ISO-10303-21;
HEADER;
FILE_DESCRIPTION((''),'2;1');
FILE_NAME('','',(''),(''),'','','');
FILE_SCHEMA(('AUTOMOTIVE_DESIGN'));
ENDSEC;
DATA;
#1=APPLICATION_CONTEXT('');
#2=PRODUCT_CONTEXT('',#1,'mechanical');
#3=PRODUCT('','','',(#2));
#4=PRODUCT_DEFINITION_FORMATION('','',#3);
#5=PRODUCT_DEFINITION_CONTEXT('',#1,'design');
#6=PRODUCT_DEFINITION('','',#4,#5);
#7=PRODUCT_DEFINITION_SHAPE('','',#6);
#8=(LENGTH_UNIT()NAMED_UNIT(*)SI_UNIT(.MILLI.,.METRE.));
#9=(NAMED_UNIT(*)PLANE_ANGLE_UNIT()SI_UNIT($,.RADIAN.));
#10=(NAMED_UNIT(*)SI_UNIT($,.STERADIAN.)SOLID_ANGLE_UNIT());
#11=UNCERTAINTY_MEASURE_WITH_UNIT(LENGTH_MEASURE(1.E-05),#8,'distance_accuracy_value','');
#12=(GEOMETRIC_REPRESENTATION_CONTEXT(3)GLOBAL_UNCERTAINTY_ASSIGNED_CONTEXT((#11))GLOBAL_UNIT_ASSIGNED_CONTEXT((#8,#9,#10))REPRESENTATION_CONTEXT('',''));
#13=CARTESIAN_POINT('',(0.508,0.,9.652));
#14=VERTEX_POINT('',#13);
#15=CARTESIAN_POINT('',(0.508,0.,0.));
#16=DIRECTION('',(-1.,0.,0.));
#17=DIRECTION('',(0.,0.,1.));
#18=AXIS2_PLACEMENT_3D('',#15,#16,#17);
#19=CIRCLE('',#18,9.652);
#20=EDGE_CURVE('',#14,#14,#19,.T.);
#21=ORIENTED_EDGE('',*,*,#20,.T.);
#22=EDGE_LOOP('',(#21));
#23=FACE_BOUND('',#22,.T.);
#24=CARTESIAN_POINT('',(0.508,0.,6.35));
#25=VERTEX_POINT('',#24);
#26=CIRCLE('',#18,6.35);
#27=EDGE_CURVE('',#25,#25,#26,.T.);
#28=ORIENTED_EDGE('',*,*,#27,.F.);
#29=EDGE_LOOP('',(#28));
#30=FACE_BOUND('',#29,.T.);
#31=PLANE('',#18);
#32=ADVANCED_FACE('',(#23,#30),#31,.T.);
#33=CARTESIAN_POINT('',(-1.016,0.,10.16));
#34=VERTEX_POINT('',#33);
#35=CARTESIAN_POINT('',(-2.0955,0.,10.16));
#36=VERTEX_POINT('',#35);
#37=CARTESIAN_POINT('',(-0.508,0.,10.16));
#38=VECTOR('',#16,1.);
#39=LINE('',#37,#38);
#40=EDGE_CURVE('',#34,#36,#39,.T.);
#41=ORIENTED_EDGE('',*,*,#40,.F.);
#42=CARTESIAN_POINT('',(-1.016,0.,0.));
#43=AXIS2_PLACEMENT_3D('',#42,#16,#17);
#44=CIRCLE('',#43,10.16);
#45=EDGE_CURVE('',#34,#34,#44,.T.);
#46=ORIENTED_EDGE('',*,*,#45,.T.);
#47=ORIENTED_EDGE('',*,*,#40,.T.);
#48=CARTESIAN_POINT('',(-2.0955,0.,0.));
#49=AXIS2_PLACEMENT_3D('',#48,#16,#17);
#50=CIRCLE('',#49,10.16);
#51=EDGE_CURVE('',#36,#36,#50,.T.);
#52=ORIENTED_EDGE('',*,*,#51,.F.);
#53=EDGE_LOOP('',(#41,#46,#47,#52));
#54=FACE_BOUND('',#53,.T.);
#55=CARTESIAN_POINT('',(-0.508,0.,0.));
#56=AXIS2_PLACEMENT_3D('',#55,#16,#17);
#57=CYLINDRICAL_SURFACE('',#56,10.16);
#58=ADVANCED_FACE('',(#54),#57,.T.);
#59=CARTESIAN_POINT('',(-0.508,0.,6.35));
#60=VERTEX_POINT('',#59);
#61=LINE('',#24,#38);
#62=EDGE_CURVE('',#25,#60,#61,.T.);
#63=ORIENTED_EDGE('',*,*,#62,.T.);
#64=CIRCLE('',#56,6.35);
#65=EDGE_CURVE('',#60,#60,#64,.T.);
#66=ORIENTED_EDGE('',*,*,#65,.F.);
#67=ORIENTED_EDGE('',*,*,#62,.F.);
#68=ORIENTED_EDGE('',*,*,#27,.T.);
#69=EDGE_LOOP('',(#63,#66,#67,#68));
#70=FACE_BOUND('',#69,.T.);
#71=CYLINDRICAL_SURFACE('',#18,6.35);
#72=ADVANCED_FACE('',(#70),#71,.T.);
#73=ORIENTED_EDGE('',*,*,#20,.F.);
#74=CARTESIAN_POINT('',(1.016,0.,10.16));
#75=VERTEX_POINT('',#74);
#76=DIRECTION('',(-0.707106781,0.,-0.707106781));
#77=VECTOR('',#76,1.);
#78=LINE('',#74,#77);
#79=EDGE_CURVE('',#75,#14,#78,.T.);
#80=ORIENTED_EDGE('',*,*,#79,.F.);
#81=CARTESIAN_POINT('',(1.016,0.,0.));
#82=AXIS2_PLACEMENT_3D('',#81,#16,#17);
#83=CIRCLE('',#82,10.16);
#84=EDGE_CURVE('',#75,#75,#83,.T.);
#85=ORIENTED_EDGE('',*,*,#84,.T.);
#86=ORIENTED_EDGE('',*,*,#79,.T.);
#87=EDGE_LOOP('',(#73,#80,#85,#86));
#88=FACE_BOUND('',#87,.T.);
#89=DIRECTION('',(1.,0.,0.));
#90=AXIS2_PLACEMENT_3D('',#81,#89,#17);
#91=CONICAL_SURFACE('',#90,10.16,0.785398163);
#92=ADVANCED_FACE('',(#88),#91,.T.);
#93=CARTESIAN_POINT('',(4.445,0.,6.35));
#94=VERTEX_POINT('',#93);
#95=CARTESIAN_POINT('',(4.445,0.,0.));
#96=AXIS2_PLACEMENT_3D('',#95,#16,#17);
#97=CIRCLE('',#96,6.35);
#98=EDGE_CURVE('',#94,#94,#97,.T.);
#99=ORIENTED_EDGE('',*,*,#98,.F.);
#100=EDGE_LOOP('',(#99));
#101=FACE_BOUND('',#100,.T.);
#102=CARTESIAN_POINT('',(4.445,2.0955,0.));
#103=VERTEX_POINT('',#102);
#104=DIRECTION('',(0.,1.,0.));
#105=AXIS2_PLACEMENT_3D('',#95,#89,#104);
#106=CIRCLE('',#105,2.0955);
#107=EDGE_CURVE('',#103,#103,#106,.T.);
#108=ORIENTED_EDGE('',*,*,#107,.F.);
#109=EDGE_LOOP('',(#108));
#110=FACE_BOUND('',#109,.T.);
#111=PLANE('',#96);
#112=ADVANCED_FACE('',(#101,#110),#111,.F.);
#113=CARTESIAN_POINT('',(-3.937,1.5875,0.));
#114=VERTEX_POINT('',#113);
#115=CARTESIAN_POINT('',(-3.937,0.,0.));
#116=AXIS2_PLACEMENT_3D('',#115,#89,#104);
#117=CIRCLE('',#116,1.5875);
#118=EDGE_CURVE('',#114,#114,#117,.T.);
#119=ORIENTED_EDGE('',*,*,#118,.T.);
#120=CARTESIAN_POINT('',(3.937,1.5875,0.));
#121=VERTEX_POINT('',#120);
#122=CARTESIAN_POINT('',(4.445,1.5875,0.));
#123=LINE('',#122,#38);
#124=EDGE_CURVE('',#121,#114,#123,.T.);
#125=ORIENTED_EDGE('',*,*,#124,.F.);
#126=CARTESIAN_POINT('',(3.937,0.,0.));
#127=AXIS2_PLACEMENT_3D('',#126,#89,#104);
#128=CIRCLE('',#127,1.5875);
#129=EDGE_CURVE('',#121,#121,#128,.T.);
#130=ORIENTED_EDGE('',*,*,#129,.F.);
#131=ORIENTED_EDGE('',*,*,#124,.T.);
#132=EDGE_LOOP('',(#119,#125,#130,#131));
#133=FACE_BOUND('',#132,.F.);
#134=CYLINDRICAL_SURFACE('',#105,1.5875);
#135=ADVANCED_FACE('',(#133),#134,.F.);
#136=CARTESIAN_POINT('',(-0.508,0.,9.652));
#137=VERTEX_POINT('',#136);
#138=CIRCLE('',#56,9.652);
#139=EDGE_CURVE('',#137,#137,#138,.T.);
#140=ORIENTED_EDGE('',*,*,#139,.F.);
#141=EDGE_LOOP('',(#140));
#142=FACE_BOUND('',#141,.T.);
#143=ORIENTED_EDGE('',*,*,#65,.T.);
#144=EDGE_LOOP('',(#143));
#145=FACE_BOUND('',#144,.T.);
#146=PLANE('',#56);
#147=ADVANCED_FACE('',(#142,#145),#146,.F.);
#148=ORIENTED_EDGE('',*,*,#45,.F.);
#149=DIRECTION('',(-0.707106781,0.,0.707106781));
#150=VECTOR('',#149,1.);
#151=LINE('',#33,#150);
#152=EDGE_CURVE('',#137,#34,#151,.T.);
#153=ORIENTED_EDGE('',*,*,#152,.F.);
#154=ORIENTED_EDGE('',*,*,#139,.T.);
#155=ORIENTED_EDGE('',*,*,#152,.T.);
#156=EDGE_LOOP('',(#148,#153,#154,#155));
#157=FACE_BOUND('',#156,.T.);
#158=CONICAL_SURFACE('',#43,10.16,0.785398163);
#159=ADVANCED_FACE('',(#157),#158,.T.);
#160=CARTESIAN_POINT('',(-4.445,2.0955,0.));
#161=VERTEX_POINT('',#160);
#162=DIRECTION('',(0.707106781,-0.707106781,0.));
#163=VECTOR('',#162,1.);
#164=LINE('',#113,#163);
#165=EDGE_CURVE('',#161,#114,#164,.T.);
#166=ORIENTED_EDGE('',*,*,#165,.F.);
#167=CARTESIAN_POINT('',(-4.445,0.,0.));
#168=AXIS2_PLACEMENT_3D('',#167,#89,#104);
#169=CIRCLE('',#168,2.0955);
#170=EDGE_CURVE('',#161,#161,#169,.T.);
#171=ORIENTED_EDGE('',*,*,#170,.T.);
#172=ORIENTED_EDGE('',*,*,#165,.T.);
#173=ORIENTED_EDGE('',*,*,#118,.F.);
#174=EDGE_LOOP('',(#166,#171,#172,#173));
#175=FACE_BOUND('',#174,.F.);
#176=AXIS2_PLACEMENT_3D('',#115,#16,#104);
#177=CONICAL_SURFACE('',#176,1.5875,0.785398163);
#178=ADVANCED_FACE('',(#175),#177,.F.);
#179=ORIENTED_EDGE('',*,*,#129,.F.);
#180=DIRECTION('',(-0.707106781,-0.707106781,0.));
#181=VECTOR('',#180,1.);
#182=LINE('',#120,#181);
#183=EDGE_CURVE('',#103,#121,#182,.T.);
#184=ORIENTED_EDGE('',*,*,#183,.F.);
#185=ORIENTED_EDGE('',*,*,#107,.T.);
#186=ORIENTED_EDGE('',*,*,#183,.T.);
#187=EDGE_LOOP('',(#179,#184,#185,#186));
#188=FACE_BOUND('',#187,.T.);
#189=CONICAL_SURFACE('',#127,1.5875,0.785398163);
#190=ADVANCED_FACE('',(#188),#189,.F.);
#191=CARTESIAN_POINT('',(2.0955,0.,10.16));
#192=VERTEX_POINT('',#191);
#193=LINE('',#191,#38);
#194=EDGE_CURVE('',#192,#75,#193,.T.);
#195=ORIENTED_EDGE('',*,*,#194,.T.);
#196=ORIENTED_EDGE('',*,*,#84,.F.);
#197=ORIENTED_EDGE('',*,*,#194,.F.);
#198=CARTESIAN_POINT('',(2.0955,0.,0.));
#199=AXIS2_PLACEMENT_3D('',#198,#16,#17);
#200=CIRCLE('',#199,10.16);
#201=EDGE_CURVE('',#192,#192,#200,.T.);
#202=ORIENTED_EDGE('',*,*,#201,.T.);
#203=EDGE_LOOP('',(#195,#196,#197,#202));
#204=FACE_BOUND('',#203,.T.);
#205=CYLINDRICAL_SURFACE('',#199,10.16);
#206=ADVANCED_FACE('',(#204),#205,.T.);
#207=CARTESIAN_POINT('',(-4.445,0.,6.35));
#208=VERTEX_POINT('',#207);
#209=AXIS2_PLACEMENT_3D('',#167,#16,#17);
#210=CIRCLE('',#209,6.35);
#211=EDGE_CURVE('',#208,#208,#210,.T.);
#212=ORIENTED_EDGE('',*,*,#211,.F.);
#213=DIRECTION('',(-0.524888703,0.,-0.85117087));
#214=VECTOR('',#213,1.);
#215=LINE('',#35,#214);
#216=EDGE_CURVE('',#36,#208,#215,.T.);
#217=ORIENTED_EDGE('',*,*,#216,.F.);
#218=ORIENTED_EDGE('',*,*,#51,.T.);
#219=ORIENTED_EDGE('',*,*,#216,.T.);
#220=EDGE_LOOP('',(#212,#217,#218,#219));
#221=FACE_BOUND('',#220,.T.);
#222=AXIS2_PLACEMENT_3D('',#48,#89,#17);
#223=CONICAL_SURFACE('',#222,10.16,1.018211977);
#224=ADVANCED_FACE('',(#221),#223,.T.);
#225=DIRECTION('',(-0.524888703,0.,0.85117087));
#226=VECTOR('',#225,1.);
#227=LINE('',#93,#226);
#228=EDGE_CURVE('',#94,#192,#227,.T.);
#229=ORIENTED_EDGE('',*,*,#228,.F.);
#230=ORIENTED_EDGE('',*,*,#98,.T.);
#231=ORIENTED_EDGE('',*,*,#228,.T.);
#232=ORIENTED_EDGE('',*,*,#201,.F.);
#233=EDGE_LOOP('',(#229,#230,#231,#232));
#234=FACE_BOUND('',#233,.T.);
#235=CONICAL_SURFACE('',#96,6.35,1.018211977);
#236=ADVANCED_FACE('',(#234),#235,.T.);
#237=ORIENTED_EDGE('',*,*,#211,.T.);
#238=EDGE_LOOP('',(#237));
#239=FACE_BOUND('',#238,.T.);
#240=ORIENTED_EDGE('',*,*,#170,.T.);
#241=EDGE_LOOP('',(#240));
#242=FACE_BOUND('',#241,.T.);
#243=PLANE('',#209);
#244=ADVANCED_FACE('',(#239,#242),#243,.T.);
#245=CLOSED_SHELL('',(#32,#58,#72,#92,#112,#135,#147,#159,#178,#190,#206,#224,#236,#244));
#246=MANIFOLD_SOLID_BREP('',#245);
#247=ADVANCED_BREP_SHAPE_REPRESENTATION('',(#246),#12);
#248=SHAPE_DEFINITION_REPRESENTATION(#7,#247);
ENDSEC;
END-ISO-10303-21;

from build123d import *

# Parameters (mm, degrees)
F2_R     = 1.5875
F3_DEPTH = 8.891
F4_SIZE  = 0.508
F5_SIZE  = 0.508


with BuildPart() as f1:
    # F0 (on Front) → F1 (revolve)
    with BuildSketch(Plane.XZ):
        Polygon((0.508, 6.35), (0, 6.35), (-0.508, 6.35), (-0.508, 10.16), (-2.0955, 10.16), (-4.445, 6.35), (-4.445, 0), (4.445, 0), (4.445, 6.35), (2.0955, 10.16), (0.508, 10.16), align=None)
    revolve(axis=Axis((0, 0, 0), (-1, 0, 0)))

    # F2 (on face) → F3 (cut, through all)
    with BuildSketch(Plane.YZ.offset(4.445)):
        Circle(F2_R)
    extrude(amount=-F3_DEPTH, mode=Mode.SUBTRACT)

    # F4
    f4_edges = [f1.edges().sort_by_distance(p)[0] for p in [
        (-4.445, -1.5875, 0),
        (4.445, -1.5875, 0),
    ]]
    chamfer(f4_edges, length=F4_SIZE)

    # F5
    f5_edges = [f1.edges().sort_by_distance(p)[0] for p in [
        (-0.508, 0, -10.16),
        (0.508, 0, -10.16),
    ]]
    chamfer(f5_edges, length=F5_SIZE)


solid = f1.part
